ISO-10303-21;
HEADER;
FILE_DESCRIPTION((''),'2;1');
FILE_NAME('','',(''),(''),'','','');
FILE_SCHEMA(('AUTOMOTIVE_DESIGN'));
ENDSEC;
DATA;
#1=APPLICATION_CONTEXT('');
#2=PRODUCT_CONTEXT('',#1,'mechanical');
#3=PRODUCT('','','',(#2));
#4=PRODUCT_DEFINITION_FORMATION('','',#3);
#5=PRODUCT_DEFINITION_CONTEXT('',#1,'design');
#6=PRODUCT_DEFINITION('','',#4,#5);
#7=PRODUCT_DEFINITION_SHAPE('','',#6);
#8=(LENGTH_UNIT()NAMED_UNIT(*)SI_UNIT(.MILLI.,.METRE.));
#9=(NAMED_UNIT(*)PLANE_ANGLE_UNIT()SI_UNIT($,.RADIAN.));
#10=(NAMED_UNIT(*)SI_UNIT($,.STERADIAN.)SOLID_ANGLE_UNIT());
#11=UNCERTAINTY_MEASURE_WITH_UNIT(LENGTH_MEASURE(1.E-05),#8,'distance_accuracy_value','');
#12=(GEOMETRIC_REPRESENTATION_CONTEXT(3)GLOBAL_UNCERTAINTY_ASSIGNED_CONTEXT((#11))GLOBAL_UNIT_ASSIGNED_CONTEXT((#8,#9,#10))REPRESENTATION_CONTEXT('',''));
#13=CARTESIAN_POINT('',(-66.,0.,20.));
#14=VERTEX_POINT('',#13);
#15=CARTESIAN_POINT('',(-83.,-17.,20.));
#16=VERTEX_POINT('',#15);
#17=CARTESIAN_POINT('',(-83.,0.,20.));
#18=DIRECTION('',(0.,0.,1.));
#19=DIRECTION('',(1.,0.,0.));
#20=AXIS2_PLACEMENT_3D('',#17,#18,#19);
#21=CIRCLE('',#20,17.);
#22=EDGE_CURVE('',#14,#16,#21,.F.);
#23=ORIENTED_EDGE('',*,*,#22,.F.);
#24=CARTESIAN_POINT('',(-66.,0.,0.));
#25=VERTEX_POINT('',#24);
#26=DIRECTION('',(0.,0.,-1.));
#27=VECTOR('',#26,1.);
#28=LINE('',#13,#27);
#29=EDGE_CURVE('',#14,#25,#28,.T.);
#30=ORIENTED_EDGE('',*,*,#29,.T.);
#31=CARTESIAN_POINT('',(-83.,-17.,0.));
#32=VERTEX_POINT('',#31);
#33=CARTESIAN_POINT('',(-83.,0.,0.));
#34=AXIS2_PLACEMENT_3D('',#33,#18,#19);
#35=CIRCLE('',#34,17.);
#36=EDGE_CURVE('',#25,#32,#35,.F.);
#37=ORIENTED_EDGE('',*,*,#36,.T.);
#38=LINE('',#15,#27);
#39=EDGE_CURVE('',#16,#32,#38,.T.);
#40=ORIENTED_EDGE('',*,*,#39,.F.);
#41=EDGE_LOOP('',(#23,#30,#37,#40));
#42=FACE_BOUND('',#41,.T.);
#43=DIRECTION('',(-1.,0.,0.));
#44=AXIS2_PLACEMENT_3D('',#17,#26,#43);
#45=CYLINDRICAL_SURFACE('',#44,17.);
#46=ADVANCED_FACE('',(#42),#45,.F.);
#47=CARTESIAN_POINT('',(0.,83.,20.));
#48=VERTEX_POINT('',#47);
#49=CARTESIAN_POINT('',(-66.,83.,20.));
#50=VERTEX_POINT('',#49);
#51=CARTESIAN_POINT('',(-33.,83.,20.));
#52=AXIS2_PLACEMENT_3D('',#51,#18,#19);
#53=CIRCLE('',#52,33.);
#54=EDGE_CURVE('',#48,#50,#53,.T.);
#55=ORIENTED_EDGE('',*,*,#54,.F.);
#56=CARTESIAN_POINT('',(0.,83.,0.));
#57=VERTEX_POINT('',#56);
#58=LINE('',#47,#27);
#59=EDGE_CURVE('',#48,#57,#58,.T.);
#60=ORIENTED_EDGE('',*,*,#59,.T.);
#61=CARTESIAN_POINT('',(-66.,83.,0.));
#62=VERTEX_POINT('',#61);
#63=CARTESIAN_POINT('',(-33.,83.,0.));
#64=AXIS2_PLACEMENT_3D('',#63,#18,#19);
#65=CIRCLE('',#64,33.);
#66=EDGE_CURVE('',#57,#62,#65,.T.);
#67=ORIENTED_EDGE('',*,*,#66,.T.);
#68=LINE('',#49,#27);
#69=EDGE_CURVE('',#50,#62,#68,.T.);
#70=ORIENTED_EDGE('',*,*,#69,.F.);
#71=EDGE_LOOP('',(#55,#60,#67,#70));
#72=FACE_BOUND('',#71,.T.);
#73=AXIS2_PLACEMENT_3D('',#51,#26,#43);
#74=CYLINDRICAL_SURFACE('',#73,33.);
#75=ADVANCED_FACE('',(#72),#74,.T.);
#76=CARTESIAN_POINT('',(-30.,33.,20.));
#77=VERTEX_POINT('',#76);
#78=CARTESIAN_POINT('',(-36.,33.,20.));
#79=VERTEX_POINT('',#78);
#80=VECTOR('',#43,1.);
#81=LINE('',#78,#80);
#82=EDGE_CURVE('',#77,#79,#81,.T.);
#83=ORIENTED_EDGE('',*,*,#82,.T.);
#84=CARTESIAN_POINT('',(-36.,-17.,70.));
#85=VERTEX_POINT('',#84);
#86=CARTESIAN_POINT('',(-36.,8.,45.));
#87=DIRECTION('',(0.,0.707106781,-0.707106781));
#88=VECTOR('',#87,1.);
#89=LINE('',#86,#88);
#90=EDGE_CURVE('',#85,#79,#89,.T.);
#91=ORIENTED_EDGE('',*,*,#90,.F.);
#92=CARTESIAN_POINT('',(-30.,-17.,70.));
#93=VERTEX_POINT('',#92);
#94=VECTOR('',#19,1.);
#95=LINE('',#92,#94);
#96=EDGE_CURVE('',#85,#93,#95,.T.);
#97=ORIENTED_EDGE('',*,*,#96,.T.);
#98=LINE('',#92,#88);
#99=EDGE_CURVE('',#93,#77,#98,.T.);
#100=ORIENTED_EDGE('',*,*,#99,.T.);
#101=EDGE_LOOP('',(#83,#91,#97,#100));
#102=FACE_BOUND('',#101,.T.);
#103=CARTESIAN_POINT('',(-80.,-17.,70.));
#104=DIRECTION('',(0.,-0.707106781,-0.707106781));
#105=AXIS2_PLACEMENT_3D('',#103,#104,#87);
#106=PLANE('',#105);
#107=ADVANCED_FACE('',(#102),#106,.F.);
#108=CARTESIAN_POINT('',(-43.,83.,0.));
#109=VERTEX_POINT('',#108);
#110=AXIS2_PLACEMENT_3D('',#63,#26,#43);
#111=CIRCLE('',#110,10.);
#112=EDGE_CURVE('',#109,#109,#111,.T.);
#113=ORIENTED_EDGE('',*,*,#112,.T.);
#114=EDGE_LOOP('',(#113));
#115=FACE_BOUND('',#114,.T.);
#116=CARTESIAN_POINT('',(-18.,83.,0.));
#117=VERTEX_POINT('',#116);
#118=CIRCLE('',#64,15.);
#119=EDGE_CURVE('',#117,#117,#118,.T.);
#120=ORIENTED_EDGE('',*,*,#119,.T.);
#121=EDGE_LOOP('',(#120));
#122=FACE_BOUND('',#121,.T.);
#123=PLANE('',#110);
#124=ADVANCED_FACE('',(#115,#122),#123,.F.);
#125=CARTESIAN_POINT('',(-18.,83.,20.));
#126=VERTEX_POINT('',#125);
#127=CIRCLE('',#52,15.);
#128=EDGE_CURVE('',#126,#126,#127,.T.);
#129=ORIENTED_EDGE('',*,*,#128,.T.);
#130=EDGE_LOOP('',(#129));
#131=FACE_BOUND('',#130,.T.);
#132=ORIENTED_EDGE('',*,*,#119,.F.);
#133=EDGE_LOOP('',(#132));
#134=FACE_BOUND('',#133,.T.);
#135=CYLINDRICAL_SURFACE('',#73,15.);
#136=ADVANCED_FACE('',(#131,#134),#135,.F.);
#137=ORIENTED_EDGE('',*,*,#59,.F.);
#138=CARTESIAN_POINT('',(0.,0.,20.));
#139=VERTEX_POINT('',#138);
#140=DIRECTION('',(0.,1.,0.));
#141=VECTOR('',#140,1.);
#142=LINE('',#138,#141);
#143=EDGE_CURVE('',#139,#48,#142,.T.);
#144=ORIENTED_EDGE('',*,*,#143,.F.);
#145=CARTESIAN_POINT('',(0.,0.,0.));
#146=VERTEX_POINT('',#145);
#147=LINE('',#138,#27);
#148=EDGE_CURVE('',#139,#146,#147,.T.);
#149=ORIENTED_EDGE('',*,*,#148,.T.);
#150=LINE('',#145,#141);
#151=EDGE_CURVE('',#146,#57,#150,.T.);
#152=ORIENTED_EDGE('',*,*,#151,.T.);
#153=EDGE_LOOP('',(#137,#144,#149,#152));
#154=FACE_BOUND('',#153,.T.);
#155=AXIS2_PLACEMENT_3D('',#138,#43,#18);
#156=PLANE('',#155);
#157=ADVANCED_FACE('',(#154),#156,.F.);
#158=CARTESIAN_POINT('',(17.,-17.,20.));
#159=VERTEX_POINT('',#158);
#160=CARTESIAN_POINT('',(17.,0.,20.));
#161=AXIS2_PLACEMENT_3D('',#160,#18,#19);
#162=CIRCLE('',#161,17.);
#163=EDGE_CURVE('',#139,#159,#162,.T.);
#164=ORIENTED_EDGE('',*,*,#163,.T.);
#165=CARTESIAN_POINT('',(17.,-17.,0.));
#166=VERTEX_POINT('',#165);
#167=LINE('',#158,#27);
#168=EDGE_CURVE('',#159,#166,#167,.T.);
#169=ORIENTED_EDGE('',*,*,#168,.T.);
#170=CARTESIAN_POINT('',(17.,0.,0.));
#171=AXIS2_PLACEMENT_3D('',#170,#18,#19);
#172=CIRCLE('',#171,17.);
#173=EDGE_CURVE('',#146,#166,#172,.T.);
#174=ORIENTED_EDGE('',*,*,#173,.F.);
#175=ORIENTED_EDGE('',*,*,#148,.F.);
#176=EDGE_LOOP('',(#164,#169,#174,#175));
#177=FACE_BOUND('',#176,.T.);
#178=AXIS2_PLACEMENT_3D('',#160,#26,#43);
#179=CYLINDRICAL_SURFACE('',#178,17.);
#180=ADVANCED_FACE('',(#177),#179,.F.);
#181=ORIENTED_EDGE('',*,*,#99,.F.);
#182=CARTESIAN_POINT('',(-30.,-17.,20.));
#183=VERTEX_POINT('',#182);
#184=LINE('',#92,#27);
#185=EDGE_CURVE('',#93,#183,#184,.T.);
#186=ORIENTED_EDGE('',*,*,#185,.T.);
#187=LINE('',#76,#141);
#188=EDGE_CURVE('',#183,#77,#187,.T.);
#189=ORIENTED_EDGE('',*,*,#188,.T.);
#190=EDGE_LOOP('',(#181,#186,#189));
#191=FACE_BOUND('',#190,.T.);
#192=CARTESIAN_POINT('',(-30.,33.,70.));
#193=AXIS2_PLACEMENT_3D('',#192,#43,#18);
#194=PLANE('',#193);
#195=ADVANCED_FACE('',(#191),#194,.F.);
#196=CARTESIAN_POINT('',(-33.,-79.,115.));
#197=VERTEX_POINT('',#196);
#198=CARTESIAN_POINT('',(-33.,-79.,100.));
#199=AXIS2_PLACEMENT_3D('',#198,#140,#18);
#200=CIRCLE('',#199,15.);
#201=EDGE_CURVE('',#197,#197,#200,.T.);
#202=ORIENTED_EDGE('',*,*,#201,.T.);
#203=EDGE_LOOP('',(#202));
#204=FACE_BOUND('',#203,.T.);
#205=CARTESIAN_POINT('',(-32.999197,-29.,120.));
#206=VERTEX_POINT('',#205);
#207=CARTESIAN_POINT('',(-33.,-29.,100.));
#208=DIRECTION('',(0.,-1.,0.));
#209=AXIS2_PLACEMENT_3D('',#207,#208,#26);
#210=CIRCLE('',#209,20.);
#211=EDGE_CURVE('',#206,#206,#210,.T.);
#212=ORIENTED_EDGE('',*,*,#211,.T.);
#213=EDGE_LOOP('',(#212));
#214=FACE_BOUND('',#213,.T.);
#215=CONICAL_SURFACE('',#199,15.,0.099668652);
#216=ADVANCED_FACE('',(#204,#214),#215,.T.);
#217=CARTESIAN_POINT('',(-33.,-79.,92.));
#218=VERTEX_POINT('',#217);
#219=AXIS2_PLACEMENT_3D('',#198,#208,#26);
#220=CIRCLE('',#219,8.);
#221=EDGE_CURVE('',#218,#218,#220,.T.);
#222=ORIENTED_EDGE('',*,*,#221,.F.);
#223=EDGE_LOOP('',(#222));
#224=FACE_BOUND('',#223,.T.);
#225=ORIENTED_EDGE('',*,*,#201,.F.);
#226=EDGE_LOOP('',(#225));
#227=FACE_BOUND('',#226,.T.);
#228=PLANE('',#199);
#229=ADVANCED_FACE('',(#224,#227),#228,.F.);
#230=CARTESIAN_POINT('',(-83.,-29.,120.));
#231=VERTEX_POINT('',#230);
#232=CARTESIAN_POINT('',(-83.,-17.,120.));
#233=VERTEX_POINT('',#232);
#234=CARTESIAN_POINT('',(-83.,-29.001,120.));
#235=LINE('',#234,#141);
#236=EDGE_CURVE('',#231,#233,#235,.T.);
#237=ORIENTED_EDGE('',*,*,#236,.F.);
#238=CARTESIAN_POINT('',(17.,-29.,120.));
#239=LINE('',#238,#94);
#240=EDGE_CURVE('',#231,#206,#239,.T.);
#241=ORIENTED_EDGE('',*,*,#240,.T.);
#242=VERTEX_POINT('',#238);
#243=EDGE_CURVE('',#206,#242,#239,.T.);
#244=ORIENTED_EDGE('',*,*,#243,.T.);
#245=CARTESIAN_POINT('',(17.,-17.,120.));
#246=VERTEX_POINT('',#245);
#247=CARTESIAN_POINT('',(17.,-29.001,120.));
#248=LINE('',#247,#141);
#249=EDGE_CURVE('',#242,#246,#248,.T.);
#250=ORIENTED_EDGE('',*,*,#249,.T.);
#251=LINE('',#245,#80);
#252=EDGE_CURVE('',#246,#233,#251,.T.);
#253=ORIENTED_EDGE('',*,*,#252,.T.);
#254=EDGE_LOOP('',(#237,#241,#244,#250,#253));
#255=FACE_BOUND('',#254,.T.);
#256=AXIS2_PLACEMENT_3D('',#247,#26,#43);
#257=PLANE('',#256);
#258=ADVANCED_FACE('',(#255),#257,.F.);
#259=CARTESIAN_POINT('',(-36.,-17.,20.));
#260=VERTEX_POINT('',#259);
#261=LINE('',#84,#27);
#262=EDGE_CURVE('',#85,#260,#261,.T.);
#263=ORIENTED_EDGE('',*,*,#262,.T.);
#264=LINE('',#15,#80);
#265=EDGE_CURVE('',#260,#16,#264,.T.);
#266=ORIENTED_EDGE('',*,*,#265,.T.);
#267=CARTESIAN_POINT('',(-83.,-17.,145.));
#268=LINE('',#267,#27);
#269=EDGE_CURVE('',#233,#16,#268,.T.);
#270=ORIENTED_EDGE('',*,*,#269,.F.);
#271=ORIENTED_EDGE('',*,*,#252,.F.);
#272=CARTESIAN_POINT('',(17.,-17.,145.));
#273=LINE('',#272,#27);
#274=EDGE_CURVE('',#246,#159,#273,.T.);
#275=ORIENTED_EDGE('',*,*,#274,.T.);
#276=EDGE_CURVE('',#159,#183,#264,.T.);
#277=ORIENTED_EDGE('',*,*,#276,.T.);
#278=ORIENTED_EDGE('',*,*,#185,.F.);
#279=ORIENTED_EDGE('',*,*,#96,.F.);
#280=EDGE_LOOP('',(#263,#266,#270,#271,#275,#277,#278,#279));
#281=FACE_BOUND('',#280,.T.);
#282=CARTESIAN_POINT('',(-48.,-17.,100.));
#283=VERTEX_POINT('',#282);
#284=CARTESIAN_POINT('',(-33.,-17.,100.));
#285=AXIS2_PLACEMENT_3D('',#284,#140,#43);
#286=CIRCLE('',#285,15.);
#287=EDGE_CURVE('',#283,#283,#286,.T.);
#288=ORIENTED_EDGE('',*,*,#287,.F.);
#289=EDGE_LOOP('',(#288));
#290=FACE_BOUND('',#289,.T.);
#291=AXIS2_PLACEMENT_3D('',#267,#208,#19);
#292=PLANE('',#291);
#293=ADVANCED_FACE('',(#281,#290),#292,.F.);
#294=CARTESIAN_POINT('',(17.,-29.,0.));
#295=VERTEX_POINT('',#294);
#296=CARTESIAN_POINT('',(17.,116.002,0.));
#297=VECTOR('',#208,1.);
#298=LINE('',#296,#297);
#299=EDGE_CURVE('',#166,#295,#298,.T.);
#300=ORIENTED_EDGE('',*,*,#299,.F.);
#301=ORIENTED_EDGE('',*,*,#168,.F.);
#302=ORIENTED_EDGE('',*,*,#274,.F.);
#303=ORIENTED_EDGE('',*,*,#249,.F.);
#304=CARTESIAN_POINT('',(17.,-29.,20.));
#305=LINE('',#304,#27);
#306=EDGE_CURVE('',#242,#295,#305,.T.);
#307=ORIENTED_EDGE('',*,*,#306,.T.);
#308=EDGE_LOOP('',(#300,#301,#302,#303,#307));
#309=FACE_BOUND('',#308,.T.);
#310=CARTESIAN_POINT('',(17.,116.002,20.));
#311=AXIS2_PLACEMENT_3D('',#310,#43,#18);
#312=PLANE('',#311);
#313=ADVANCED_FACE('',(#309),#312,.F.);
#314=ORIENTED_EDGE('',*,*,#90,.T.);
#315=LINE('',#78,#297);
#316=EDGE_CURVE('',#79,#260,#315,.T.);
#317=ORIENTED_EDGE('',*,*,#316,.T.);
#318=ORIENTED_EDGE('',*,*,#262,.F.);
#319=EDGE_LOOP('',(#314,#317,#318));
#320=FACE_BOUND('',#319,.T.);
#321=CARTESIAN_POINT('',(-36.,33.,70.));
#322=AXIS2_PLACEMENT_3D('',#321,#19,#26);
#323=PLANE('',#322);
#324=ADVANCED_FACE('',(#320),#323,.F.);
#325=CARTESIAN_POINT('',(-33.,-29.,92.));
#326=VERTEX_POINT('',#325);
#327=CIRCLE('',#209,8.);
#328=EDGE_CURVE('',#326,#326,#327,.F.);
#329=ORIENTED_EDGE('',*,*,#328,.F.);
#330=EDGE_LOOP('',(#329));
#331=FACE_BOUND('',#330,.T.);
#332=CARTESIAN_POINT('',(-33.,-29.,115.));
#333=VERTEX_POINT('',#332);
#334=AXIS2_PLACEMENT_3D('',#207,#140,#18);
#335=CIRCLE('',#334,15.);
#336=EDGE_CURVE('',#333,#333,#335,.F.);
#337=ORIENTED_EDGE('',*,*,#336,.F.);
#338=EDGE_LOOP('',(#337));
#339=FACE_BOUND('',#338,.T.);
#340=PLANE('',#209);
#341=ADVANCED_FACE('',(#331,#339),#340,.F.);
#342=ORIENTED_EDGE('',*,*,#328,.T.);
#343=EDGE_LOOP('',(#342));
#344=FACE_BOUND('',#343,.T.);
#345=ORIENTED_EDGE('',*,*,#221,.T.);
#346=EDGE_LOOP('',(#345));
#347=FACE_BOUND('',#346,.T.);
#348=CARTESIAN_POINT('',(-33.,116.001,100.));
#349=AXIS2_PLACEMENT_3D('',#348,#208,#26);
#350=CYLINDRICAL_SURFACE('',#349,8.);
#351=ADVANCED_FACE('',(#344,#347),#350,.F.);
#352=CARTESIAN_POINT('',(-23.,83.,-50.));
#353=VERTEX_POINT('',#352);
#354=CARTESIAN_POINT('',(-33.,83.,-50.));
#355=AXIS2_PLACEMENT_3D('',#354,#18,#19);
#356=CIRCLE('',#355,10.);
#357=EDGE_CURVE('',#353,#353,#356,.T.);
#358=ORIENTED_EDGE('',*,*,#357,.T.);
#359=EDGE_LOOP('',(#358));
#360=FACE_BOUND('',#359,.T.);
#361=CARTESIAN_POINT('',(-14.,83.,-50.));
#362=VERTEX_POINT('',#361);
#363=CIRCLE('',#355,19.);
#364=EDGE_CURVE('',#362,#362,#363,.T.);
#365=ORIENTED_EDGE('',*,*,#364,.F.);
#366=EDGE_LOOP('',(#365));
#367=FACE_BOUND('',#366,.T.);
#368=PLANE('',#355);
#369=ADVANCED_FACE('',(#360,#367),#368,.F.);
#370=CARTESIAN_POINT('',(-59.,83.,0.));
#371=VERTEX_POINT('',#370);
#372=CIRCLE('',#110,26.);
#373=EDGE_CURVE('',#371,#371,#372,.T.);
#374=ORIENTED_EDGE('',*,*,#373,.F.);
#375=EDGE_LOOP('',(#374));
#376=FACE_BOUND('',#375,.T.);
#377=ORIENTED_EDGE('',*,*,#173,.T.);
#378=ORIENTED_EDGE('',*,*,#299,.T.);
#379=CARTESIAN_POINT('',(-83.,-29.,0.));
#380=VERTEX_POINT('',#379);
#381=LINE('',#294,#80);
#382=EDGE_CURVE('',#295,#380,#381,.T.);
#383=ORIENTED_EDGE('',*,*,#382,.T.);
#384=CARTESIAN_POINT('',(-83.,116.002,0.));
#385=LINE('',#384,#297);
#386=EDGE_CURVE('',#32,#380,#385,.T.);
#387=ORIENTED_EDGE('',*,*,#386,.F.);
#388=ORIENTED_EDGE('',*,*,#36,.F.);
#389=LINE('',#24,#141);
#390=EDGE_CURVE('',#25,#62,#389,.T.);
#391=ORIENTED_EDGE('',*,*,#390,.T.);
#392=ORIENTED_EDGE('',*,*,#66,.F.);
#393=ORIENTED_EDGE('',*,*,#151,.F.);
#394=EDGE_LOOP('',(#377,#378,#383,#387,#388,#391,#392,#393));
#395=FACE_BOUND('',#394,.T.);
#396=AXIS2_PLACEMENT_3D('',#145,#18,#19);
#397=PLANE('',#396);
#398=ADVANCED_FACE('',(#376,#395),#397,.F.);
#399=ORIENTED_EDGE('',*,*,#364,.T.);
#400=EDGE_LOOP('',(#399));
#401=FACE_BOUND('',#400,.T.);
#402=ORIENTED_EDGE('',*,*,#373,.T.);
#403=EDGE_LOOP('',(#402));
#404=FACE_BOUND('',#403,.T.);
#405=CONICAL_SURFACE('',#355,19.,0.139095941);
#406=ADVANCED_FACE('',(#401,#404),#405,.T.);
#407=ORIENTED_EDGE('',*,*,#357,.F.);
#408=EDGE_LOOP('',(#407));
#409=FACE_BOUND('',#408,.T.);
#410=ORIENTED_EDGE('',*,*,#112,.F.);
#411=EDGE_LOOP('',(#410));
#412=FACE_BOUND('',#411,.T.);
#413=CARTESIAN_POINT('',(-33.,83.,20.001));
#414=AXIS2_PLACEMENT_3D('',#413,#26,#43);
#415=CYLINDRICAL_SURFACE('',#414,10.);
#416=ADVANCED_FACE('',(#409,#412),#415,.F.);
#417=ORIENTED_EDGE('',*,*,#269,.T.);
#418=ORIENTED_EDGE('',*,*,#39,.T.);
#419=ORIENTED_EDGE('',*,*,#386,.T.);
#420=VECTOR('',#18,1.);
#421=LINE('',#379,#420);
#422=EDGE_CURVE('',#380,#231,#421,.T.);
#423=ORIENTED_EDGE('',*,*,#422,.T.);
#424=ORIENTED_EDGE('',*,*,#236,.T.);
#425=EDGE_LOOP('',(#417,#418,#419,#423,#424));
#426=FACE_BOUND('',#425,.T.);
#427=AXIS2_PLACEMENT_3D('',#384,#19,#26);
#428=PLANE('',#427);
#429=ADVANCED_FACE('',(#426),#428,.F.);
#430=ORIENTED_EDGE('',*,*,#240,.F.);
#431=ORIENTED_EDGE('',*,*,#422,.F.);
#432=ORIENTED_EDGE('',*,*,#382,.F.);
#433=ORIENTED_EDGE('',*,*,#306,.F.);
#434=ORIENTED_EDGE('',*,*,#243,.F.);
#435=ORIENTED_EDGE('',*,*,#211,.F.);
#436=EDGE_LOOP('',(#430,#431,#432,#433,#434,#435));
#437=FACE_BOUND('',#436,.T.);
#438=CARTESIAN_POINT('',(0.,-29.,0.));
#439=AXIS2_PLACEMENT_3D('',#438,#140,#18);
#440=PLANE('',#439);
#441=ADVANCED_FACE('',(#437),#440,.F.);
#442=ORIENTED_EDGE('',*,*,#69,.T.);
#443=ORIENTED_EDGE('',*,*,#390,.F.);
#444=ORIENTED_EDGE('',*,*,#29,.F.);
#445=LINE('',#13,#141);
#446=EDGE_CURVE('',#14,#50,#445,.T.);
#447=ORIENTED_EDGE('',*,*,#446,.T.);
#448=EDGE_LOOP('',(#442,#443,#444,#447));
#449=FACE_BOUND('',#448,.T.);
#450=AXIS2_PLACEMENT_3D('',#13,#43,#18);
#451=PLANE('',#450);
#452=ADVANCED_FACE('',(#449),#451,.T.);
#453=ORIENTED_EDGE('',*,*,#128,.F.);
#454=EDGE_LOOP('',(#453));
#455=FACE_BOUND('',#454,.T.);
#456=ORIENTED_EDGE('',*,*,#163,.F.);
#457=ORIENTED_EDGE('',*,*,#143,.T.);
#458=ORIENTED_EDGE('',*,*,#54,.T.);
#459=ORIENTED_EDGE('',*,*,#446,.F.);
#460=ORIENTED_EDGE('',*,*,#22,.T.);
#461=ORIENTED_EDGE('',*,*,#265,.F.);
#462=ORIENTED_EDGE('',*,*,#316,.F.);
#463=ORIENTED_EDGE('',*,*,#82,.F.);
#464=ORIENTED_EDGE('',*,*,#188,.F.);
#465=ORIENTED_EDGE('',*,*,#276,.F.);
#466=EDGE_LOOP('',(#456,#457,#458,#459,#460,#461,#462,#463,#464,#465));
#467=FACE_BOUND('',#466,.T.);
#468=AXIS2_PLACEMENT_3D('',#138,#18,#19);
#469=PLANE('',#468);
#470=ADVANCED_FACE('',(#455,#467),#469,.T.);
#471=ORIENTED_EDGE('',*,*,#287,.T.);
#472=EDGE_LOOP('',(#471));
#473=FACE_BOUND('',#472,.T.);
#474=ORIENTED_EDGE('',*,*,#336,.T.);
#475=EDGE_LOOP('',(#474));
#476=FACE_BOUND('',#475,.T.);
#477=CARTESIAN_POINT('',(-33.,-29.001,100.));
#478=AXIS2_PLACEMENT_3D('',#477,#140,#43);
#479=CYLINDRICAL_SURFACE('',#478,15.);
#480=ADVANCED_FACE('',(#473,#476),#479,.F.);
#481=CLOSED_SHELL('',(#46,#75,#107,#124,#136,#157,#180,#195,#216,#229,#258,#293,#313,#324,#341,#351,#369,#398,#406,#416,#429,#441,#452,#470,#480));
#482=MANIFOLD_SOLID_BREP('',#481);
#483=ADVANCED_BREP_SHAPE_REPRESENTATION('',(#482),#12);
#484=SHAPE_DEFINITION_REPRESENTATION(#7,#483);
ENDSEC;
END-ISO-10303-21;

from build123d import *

# Parameters (mm, degrees)
CROQUIS2_R              = 15
SALIENTE_EXTRUIR1_DEPTH = 20
CROQUIS5_R              = 26
CROQUIS4_R              = 19
CORTAR_EXTRUIR1_REACH   = 160.887
CROQUIS4_7_R            = 10
SALIENTE_EXTRUIR2_REACH = 176.396
CROQUIS8_W              = 100
CROQUIS8_H              = 20
CROQUIS9_W              = 100
CROQUIS9_H              = 12
SALIENTE_EXTRUIR3_DEPTH = 125
CROQUIS11_W             = 6
CROQUIS11_H             = 50
SALIENTE_EXTRUIR4_DEPTH = 50
CORTAR_EXTRUIR2_DEPTH   = 50
CORTAR_EXTRUIR3_REACH   = 215.549
CROQUIS13_R             = 15
CORTAR_EXTRUIR4_REACH   = 215.549
CROQUIS18_W             = 100
CROQUIS18_H             = 25
CROQUIS20_R             = 20
CROQUIS15_R             = 15
CORTAR_EXTRUIR5_REACH   = 245.545
CROQUIS22_R             = 8


with BuildPart() as part:
    # Croquis2 → Saliente-Extruir1 (new body)
    with BuildSketch(Plane.XY):
        with BuildLine():
            Line((-66, 83), (-66, 0))
            ThreePointArc((-66, 0), (-70.97918472, -12.02081528), (-83, -17))
            Line((-83, -17), (17, -17))
            ThreePointArc((17, -17), (4.97918472, -12.02081528), (0, 0))
            Line((0, 0), (0, 83))
            ThreePointArc((0, 83), (-33, 116), (-66, 83))
        make_face()
        with Locations((-33, 83)):
            Circle(CROQUIS2_R, mode=Mode.SUBTRACT)
    extrude(amount=SALIENTE_EXTRUIR1_DEPTH)

    # Croquis5 → Recubrir2 section 0
    with BuildSketch(Plane(origin=(0, 0, 0), x_dir=(-1, 0, 0), z_dir=(0, 0, -1))):
        with Locations((33, 83)):
            Circle(CROQUIS5_R)
    # Croquis4 → Recubrir2 section 1
    with BuildSketch(Plane.XY.offset(-50)):
        with Locations((-33, 83)):
            Circle(CROQUIS4_R)
    loft()

    # Croquis4<7> → Cortar-Extruir1 (cut, up to next)
    with BuildSketch(Plane.XY.offset(-50), mode=Mode.PRIVATE) as cortar_extruir1_sk1:
        with Locations((-33, 83)):
            Circle(CROQUIS4_7_R)
    cortar_extruir1_tool1 = extrude(cortar_extruir1_sk1.sketch, amount=CORTAR_EXTRUIR1_REACH, mode=Mode.PRIVATE) & part.part
    add(cortar_extruir1_tool1.solids().sort_by_distance((-33, 83, -50))[0], mode=Mode.SUBTRACT)

    # Croquis8 → Saliente-Extruir2 (add, up to next)
    with BuildSketch(Plane(origin=(0, -29, 0), x_dir=(1, 0, 0), z_dir=(0, 1, 0)), mode=Mode.PRIVATE) as saliente_extruir2_sk1:
        with Locations((-33, -10)):
            Rectangle(CROQUIS8_W, CROQUIS8_H)
    saliente_extruir2_tool1 = extrude(saliente_extruir2_sk1.sketch, amount=SALIENTE_EXTRUIR2_REACH, mode=Mode.PRIVATE) - part.part
    add(saliente_extruir2_tool1.solids().sort_by_distance((-33, -29, 10))[0])

    # Croquis9 → Saliente-Extruir3 (add)
    with BuildSketch(Plane.XY.offset(20)):
        with Locations((-33, -23)):
            Rectangle(CROQUIS9_W, CROQUIS9_H)
    extrude(amount=SALIENTE_EXTRUIR3_DEPTH)

    # Croquis11 → Saliente-Extruir4 (add)
    with BuildSketch(Plane.XY.offset(20)):
        with Locations((-33, 8)):
            Rectangle(CROQUIS11_W, CROQUIS11_H)
    extrude(amount=SALIENTE_EXTRUIR4_DEPTH)

    # Croquis12 → Cortar-Extruir2 (cut)
    with BuildSketch(Plane(origin=(-30, 0, 0), x_dir=(0, 0, -1), z_dir=(1, 0, 0))):
        Polygon((-70, -17), (-20, 33), (-70, 33), align=None)
    extrude(amount=-CORTAR_EXTRUIR2_DEPTH, mode=Mode.SUBTRACT)

    # Croquis13 → Cortar-Extruir3 (cut, up to next)
    with BuildSketch(Plane(origin=(0, -17, 0), x_dir=(1, 0, 0), z_dir=(0, 1, 0)), mode=Mode.PRIVATE) as cortar_extruir3_sk1:
        with Locations((-33, -100)):
            Circle(CROQUIS13_R)
    cortar_extruir3_tool1 = extrude(cortar_extruir3_sk1.sketch, amount=-CORTAR_EXTRUIR3_REACH, mode=Mode.PRIVATE) & part.part
    add(cortar_extruir3_tool1.solids().sort_by_distance((-33, -17, 100))[0], mode=Mode.SUBTRACT)

    # Croquis18 → Cortar-Extruir4 (cut, up to next)
    with BuildSketch(Plane(origin=(0, -17, 0), x_dir=(1, 0, 0), z_dir=(0, 1, 0)), mode=Mode.PRIVATE) as cortar_extruir4_sk1:
        with Locations((-33, -132.5)):
            Rectangle(CROQUIS18_W, CROQUIS18_H)
    cortar_extruir4_tool1 = extrude(cortar_extruir4_sk1.sketch, amount=-CORTAR_EXTRUIR4_REACH, mode=Mode.PRIVATE) & part.part
    add(cortar_extruir4_tool1.solids().sort_by_distance((-33, -17, 132.5))[0], mode=Mode.SUBTRACT)

    # Croquis20 → Recubrir6 section 0
    with BuildSketch(Plane.XZ.offset(29)):
        with Locations((-33, 100)):
            Circle(CROQUIS20_R)
    # Croquis15 → Recubrir6 section 1
    with BuildSketch(Plane(origin=(0, -79, 0), x_dir=(1, 0, 0), z_dir=(0, 1, 0))):
        with Locations((-33, -100)):
            Circle(CROQUIS15_R)
    loft()

    # Croquis22 → Cortar-Extruir5 (cut, up to next)
    with BuildSketch(Plane.XZ.offset(79), mode=Mode.PRIVATE) as cortar_extruir5_sk1:
        with Locations((-33, 100)):
            Circle(CROQUIS22_R)
    cortar_extruir5_tool1 = extrude(cortar_extruir5_sk1.sketch, amount=-CORTAR_EXTRUIR5_REACH, mode=Mode.PRIVATE) & part.part
    add(cortar_extruir5_tool1.solids().sort_by_distance((-33, -79, 100))[0], mode=Mode.SUBTRACT)


solid = part.part
